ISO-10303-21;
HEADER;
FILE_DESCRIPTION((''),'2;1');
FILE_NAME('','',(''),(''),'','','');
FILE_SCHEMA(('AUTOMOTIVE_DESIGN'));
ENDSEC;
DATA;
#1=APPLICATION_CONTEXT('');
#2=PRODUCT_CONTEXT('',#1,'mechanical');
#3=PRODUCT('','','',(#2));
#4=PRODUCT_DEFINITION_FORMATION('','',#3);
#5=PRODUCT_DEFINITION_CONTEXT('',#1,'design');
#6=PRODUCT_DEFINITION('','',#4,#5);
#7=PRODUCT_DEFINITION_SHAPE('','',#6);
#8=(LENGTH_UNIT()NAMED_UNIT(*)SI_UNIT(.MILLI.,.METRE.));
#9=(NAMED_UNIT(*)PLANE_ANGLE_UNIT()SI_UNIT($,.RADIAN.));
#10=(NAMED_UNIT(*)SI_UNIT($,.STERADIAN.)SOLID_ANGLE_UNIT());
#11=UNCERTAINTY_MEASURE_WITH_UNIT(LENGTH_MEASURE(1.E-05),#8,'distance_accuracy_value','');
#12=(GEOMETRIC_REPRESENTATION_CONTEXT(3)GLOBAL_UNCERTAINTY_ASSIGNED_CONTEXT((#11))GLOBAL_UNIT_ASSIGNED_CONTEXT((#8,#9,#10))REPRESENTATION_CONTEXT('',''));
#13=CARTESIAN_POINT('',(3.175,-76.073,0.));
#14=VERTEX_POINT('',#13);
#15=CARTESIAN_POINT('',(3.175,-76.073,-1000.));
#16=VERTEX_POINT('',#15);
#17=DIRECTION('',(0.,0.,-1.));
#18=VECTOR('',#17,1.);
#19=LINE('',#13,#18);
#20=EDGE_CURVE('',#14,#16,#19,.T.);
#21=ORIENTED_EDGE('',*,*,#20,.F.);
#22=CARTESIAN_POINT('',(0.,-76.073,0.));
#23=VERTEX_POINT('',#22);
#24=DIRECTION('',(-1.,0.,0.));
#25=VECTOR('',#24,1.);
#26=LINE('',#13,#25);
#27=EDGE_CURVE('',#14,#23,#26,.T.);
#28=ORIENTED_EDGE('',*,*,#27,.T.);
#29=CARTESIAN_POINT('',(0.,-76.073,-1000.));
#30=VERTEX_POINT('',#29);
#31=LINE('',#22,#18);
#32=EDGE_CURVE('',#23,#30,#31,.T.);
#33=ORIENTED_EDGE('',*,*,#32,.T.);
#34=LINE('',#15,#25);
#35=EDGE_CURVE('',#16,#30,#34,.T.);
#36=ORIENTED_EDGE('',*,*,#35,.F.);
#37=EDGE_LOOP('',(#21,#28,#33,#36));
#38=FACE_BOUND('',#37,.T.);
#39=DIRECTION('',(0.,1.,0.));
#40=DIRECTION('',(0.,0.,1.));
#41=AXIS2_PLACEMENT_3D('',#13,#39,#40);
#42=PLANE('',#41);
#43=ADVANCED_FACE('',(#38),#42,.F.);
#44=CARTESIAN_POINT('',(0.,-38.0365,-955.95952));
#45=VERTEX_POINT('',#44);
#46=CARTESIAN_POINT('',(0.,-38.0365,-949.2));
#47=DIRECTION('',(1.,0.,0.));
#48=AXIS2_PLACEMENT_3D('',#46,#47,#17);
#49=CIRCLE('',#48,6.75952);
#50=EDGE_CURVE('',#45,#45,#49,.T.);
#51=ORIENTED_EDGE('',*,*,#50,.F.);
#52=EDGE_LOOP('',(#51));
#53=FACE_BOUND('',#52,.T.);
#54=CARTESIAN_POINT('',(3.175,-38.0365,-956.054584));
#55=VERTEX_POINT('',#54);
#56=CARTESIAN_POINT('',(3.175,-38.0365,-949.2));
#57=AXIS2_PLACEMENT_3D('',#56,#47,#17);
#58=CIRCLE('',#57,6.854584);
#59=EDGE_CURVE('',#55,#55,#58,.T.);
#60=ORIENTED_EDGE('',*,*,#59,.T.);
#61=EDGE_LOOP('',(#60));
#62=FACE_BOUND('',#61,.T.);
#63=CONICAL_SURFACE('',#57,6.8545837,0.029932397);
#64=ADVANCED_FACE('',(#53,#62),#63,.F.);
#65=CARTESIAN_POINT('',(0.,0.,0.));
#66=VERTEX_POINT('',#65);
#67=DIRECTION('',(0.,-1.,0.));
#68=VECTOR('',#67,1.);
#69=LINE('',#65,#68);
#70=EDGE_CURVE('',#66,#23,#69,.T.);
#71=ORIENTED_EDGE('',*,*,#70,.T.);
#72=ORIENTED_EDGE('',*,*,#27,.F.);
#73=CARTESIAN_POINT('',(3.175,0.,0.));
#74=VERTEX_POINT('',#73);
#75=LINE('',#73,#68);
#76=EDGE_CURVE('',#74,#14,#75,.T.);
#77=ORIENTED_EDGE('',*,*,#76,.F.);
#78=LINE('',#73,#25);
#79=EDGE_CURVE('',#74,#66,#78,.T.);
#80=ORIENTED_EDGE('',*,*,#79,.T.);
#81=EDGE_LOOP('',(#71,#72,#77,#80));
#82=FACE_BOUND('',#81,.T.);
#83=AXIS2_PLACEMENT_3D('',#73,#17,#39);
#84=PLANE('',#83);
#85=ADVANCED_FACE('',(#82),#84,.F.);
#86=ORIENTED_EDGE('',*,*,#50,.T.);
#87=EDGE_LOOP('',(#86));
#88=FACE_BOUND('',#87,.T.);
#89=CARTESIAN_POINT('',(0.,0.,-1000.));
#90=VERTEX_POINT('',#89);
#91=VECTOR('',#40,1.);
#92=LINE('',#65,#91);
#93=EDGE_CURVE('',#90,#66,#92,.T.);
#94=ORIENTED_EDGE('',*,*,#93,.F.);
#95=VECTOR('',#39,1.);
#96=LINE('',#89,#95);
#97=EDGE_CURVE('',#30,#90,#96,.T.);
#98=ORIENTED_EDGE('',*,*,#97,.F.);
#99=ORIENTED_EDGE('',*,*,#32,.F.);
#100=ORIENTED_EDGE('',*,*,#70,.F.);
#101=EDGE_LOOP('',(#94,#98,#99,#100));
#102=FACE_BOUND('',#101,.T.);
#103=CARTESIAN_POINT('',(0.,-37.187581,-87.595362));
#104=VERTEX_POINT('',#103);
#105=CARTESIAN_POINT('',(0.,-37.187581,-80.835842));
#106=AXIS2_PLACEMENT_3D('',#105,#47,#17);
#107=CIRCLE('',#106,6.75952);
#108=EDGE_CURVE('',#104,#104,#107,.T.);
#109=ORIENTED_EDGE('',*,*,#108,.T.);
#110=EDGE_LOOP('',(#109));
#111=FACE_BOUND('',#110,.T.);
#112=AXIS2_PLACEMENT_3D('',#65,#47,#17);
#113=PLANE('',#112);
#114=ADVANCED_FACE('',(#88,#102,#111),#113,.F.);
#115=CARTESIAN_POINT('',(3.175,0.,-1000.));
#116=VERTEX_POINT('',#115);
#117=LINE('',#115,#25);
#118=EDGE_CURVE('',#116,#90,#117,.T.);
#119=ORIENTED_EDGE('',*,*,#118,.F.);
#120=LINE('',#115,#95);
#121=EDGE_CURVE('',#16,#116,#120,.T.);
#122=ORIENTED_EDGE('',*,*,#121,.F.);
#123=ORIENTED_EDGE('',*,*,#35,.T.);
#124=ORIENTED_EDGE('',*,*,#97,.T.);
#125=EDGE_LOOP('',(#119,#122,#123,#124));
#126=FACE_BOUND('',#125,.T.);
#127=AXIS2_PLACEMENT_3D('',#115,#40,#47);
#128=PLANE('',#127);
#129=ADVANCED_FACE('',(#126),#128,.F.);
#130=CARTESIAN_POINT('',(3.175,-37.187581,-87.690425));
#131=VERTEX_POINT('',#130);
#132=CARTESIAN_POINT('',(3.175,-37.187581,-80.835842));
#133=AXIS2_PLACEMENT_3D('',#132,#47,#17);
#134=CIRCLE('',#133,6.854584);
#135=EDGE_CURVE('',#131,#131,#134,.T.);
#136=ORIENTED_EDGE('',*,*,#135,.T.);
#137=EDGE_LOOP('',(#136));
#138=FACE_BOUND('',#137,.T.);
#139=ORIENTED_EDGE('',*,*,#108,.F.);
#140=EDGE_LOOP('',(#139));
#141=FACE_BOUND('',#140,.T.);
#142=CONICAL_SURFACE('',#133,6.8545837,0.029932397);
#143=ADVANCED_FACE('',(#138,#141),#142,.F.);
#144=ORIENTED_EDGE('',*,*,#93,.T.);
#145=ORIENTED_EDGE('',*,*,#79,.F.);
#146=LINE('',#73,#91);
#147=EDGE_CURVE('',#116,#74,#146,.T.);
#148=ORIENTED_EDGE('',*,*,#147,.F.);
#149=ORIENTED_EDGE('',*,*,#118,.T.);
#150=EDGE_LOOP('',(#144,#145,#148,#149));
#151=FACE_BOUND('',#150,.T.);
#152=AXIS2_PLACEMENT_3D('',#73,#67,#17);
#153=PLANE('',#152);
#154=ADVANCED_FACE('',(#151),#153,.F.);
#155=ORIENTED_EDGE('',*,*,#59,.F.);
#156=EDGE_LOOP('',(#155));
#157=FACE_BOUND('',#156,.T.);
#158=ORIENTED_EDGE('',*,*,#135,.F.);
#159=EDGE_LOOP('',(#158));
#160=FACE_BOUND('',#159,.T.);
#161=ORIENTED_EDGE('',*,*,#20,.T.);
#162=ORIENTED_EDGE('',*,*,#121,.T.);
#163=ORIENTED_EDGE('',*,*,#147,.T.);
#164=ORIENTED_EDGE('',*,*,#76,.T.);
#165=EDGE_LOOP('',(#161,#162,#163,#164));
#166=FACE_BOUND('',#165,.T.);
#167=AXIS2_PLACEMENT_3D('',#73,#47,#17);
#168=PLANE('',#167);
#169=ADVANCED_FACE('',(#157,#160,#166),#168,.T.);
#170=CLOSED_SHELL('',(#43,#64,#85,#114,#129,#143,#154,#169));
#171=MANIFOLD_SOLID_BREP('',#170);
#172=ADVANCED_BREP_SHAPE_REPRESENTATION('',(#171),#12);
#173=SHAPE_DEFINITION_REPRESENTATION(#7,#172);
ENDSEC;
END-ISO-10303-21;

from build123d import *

# Parameters (mm, degrees)
SKETCH1_W           = 999.999999996
SKETCH1_H           = 76.073
BOSS_EXTRUDE1_DEPTH = 3.175


with BuildPart() as part:
    # Sketch1 → Boss-Extrude1 (new body)
    with BuildSketch(Plane(origin=(0, 0, 0), x_dir=(0, 0, -1), z_dir=(1, 0, 0))):
        with Locations((499.999999998, -38.0365)):
            Rectangle(SKETCH1_W, SKETCH1_H)
    extrude(amount=BOSS_EXTRUDE1_DEPTH)

    # Sketch13 → 1/4 NPT Tapped Hole3 (revolve, cut)
    with BuildSketch(Plane(origin=(3.175, -37.187581484, -80.83584166), x_dir=(0, 0, -1), z_dir=(0, 1, 0))):
        Polygon((0, 0), (0, 3.175), (5.5626, 3.175), (5.5626, 9.906), (6.557984794, 9.906), (6.8545837, 0), align=None)
    revolve(axis=Axis((9.525, -37.187581484, -80.83584166), (-1, 0, 0)), mode=Mode.SUBTRACT)

    # Sketch15 → 1/4 NPT Tapped Hole4 (revolve, cut)
    with BuildSketch(Plane(origin=(3.175, -38.0365, -949.199999996), x_dir=(0, 0, -1), z_dir=(0, 1, 0))):
        Polygon((0, 0), (0, 3.175), (5.5626, 3.175), (5.5626, 9.906), (6.557984794, 9.906), (6.8545837, 0), align=None)
    revolve(axis=Axis((9.525, -38.0365, -949.199999996), (-1, 0, 0)), mode=Mode.SUBTRACT)


solid = part.part
